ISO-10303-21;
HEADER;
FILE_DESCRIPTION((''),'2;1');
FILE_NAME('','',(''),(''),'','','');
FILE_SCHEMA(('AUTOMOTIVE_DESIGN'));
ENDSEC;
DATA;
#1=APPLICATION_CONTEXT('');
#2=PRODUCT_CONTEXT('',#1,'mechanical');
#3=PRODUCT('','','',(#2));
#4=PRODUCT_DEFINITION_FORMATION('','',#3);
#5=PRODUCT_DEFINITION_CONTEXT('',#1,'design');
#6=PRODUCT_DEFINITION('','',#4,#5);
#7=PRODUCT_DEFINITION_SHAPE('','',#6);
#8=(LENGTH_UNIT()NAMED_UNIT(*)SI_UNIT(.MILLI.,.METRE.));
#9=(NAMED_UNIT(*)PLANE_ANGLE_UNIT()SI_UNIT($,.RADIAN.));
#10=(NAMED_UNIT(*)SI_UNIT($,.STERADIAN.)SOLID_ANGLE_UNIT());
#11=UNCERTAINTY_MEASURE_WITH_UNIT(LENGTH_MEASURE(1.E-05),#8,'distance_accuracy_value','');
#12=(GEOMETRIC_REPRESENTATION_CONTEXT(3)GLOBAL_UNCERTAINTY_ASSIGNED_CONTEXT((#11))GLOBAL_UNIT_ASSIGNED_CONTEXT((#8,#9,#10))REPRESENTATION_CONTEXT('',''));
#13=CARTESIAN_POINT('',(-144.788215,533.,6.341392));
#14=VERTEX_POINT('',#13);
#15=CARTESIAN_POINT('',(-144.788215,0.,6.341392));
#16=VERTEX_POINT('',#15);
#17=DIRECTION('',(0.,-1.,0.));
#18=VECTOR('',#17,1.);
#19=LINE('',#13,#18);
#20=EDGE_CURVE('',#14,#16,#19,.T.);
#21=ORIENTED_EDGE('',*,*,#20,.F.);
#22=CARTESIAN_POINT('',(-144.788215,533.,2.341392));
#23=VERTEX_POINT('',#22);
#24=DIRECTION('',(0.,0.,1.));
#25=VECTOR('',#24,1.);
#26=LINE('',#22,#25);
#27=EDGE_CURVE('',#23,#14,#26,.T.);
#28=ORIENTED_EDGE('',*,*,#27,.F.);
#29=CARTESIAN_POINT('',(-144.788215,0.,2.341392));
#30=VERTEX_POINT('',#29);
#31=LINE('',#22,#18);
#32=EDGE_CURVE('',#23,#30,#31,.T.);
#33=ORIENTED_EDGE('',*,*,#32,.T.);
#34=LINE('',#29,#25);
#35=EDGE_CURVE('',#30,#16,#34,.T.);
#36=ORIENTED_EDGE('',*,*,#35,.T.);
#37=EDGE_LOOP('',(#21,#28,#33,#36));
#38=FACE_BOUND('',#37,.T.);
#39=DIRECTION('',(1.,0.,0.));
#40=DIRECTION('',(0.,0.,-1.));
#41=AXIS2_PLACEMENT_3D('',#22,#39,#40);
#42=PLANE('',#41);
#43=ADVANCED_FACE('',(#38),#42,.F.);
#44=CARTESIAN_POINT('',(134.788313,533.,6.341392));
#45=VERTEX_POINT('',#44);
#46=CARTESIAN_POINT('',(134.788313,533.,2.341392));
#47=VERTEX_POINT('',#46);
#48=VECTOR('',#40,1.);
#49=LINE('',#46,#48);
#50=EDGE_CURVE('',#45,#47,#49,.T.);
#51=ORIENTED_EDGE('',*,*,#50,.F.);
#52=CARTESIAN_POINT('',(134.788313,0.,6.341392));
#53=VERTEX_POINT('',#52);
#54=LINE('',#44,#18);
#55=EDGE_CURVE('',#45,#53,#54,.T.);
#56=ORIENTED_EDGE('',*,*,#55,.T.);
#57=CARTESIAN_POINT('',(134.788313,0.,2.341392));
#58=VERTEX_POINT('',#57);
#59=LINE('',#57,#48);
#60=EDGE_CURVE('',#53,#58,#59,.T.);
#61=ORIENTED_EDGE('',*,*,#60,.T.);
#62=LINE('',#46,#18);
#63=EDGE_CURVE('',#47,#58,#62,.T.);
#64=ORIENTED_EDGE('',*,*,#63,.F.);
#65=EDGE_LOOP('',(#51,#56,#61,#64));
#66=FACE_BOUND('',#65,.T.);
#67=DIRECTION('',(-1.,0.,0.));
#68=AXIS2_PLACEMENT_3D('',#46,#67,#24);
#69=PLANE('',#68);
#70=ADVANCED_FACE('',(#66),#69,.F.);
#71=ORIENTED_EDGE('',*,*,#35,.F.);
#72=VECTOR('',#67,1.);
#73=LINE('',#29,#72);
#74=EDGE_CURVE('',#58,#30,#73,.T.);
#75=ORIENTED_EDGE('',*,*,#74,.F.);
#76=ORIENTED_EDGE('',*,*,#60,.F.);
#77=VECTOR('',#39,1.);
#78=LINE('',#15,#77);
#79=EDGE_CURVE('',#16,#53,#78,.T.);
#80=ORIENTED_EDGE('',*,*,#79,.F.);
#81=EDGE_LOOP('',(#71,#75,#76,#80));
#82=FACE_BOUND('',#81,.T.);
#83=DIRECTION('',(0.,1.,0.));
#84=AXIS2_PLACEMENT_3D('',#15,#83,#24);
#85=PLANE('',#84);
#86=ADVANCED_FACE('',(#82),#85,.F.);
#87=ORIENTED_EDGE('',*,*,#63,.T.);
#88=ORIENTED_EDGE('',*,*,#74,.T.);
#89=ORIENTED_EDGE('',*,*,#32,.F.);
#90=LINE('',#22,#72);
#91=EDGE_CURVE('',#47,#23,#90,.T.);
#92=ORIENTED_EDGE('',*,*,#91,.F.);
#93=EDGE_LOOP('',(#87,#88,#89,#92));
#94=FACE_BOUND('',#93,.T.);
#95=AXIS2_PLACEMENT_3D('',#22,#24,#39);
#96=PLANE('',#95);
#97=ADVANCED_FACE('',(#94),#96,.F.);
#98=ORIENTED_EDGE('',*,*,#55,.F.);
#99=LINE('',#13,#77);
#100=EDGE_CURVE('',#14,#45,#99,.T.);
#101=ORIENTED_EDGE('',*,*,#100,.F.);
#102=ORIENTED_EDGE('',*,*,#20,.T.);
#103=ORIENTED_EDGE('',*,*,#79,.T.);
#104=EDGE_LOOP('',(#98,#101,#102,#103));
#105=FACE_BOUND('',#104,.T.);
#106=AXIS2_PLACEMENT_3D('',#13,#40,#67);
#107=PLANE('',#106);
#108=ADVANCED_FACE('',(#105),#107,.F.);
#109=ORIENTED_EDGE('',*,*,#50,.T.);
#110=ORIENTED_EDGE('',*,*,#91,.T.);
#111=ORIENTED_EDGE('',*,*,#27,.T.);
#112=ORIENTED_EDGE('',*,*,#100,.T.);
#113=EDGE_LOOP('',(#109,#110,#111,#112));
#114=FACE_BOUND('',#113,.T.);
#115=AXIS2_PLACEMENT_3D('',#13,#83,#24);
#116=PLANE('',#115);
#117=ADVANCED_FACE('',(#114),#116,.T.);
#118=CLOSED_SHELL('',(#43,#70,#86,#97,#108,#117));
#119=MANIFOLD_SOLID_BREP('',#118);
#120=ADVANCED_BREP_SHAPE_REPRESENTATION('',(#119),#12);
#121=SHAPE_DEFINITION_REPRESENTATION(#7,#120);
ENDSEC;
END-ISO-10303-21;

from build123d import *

# Parameters (mm, degrees)
SKETCH_1_W      = 279.576527547
SKETCH_1_H      = 4
EXTRUDE_1_DEPTH = 533


with BuildPart() as part:
    # Эскиз1 → Вытянуть1 (new body)
    with BuildSketch(Plane(origin=(0, 0, 0), x_dir=(1, 0, 0), z_dir=(0, 1, 0))):
        with Locations((-4.999950783, -4.341392103)):
            Rectangle(SKETCH_1_W, SKETCH_1_H)
    extrude(amount=EXTRUDE_1_DEPTH)


solid = part.part
